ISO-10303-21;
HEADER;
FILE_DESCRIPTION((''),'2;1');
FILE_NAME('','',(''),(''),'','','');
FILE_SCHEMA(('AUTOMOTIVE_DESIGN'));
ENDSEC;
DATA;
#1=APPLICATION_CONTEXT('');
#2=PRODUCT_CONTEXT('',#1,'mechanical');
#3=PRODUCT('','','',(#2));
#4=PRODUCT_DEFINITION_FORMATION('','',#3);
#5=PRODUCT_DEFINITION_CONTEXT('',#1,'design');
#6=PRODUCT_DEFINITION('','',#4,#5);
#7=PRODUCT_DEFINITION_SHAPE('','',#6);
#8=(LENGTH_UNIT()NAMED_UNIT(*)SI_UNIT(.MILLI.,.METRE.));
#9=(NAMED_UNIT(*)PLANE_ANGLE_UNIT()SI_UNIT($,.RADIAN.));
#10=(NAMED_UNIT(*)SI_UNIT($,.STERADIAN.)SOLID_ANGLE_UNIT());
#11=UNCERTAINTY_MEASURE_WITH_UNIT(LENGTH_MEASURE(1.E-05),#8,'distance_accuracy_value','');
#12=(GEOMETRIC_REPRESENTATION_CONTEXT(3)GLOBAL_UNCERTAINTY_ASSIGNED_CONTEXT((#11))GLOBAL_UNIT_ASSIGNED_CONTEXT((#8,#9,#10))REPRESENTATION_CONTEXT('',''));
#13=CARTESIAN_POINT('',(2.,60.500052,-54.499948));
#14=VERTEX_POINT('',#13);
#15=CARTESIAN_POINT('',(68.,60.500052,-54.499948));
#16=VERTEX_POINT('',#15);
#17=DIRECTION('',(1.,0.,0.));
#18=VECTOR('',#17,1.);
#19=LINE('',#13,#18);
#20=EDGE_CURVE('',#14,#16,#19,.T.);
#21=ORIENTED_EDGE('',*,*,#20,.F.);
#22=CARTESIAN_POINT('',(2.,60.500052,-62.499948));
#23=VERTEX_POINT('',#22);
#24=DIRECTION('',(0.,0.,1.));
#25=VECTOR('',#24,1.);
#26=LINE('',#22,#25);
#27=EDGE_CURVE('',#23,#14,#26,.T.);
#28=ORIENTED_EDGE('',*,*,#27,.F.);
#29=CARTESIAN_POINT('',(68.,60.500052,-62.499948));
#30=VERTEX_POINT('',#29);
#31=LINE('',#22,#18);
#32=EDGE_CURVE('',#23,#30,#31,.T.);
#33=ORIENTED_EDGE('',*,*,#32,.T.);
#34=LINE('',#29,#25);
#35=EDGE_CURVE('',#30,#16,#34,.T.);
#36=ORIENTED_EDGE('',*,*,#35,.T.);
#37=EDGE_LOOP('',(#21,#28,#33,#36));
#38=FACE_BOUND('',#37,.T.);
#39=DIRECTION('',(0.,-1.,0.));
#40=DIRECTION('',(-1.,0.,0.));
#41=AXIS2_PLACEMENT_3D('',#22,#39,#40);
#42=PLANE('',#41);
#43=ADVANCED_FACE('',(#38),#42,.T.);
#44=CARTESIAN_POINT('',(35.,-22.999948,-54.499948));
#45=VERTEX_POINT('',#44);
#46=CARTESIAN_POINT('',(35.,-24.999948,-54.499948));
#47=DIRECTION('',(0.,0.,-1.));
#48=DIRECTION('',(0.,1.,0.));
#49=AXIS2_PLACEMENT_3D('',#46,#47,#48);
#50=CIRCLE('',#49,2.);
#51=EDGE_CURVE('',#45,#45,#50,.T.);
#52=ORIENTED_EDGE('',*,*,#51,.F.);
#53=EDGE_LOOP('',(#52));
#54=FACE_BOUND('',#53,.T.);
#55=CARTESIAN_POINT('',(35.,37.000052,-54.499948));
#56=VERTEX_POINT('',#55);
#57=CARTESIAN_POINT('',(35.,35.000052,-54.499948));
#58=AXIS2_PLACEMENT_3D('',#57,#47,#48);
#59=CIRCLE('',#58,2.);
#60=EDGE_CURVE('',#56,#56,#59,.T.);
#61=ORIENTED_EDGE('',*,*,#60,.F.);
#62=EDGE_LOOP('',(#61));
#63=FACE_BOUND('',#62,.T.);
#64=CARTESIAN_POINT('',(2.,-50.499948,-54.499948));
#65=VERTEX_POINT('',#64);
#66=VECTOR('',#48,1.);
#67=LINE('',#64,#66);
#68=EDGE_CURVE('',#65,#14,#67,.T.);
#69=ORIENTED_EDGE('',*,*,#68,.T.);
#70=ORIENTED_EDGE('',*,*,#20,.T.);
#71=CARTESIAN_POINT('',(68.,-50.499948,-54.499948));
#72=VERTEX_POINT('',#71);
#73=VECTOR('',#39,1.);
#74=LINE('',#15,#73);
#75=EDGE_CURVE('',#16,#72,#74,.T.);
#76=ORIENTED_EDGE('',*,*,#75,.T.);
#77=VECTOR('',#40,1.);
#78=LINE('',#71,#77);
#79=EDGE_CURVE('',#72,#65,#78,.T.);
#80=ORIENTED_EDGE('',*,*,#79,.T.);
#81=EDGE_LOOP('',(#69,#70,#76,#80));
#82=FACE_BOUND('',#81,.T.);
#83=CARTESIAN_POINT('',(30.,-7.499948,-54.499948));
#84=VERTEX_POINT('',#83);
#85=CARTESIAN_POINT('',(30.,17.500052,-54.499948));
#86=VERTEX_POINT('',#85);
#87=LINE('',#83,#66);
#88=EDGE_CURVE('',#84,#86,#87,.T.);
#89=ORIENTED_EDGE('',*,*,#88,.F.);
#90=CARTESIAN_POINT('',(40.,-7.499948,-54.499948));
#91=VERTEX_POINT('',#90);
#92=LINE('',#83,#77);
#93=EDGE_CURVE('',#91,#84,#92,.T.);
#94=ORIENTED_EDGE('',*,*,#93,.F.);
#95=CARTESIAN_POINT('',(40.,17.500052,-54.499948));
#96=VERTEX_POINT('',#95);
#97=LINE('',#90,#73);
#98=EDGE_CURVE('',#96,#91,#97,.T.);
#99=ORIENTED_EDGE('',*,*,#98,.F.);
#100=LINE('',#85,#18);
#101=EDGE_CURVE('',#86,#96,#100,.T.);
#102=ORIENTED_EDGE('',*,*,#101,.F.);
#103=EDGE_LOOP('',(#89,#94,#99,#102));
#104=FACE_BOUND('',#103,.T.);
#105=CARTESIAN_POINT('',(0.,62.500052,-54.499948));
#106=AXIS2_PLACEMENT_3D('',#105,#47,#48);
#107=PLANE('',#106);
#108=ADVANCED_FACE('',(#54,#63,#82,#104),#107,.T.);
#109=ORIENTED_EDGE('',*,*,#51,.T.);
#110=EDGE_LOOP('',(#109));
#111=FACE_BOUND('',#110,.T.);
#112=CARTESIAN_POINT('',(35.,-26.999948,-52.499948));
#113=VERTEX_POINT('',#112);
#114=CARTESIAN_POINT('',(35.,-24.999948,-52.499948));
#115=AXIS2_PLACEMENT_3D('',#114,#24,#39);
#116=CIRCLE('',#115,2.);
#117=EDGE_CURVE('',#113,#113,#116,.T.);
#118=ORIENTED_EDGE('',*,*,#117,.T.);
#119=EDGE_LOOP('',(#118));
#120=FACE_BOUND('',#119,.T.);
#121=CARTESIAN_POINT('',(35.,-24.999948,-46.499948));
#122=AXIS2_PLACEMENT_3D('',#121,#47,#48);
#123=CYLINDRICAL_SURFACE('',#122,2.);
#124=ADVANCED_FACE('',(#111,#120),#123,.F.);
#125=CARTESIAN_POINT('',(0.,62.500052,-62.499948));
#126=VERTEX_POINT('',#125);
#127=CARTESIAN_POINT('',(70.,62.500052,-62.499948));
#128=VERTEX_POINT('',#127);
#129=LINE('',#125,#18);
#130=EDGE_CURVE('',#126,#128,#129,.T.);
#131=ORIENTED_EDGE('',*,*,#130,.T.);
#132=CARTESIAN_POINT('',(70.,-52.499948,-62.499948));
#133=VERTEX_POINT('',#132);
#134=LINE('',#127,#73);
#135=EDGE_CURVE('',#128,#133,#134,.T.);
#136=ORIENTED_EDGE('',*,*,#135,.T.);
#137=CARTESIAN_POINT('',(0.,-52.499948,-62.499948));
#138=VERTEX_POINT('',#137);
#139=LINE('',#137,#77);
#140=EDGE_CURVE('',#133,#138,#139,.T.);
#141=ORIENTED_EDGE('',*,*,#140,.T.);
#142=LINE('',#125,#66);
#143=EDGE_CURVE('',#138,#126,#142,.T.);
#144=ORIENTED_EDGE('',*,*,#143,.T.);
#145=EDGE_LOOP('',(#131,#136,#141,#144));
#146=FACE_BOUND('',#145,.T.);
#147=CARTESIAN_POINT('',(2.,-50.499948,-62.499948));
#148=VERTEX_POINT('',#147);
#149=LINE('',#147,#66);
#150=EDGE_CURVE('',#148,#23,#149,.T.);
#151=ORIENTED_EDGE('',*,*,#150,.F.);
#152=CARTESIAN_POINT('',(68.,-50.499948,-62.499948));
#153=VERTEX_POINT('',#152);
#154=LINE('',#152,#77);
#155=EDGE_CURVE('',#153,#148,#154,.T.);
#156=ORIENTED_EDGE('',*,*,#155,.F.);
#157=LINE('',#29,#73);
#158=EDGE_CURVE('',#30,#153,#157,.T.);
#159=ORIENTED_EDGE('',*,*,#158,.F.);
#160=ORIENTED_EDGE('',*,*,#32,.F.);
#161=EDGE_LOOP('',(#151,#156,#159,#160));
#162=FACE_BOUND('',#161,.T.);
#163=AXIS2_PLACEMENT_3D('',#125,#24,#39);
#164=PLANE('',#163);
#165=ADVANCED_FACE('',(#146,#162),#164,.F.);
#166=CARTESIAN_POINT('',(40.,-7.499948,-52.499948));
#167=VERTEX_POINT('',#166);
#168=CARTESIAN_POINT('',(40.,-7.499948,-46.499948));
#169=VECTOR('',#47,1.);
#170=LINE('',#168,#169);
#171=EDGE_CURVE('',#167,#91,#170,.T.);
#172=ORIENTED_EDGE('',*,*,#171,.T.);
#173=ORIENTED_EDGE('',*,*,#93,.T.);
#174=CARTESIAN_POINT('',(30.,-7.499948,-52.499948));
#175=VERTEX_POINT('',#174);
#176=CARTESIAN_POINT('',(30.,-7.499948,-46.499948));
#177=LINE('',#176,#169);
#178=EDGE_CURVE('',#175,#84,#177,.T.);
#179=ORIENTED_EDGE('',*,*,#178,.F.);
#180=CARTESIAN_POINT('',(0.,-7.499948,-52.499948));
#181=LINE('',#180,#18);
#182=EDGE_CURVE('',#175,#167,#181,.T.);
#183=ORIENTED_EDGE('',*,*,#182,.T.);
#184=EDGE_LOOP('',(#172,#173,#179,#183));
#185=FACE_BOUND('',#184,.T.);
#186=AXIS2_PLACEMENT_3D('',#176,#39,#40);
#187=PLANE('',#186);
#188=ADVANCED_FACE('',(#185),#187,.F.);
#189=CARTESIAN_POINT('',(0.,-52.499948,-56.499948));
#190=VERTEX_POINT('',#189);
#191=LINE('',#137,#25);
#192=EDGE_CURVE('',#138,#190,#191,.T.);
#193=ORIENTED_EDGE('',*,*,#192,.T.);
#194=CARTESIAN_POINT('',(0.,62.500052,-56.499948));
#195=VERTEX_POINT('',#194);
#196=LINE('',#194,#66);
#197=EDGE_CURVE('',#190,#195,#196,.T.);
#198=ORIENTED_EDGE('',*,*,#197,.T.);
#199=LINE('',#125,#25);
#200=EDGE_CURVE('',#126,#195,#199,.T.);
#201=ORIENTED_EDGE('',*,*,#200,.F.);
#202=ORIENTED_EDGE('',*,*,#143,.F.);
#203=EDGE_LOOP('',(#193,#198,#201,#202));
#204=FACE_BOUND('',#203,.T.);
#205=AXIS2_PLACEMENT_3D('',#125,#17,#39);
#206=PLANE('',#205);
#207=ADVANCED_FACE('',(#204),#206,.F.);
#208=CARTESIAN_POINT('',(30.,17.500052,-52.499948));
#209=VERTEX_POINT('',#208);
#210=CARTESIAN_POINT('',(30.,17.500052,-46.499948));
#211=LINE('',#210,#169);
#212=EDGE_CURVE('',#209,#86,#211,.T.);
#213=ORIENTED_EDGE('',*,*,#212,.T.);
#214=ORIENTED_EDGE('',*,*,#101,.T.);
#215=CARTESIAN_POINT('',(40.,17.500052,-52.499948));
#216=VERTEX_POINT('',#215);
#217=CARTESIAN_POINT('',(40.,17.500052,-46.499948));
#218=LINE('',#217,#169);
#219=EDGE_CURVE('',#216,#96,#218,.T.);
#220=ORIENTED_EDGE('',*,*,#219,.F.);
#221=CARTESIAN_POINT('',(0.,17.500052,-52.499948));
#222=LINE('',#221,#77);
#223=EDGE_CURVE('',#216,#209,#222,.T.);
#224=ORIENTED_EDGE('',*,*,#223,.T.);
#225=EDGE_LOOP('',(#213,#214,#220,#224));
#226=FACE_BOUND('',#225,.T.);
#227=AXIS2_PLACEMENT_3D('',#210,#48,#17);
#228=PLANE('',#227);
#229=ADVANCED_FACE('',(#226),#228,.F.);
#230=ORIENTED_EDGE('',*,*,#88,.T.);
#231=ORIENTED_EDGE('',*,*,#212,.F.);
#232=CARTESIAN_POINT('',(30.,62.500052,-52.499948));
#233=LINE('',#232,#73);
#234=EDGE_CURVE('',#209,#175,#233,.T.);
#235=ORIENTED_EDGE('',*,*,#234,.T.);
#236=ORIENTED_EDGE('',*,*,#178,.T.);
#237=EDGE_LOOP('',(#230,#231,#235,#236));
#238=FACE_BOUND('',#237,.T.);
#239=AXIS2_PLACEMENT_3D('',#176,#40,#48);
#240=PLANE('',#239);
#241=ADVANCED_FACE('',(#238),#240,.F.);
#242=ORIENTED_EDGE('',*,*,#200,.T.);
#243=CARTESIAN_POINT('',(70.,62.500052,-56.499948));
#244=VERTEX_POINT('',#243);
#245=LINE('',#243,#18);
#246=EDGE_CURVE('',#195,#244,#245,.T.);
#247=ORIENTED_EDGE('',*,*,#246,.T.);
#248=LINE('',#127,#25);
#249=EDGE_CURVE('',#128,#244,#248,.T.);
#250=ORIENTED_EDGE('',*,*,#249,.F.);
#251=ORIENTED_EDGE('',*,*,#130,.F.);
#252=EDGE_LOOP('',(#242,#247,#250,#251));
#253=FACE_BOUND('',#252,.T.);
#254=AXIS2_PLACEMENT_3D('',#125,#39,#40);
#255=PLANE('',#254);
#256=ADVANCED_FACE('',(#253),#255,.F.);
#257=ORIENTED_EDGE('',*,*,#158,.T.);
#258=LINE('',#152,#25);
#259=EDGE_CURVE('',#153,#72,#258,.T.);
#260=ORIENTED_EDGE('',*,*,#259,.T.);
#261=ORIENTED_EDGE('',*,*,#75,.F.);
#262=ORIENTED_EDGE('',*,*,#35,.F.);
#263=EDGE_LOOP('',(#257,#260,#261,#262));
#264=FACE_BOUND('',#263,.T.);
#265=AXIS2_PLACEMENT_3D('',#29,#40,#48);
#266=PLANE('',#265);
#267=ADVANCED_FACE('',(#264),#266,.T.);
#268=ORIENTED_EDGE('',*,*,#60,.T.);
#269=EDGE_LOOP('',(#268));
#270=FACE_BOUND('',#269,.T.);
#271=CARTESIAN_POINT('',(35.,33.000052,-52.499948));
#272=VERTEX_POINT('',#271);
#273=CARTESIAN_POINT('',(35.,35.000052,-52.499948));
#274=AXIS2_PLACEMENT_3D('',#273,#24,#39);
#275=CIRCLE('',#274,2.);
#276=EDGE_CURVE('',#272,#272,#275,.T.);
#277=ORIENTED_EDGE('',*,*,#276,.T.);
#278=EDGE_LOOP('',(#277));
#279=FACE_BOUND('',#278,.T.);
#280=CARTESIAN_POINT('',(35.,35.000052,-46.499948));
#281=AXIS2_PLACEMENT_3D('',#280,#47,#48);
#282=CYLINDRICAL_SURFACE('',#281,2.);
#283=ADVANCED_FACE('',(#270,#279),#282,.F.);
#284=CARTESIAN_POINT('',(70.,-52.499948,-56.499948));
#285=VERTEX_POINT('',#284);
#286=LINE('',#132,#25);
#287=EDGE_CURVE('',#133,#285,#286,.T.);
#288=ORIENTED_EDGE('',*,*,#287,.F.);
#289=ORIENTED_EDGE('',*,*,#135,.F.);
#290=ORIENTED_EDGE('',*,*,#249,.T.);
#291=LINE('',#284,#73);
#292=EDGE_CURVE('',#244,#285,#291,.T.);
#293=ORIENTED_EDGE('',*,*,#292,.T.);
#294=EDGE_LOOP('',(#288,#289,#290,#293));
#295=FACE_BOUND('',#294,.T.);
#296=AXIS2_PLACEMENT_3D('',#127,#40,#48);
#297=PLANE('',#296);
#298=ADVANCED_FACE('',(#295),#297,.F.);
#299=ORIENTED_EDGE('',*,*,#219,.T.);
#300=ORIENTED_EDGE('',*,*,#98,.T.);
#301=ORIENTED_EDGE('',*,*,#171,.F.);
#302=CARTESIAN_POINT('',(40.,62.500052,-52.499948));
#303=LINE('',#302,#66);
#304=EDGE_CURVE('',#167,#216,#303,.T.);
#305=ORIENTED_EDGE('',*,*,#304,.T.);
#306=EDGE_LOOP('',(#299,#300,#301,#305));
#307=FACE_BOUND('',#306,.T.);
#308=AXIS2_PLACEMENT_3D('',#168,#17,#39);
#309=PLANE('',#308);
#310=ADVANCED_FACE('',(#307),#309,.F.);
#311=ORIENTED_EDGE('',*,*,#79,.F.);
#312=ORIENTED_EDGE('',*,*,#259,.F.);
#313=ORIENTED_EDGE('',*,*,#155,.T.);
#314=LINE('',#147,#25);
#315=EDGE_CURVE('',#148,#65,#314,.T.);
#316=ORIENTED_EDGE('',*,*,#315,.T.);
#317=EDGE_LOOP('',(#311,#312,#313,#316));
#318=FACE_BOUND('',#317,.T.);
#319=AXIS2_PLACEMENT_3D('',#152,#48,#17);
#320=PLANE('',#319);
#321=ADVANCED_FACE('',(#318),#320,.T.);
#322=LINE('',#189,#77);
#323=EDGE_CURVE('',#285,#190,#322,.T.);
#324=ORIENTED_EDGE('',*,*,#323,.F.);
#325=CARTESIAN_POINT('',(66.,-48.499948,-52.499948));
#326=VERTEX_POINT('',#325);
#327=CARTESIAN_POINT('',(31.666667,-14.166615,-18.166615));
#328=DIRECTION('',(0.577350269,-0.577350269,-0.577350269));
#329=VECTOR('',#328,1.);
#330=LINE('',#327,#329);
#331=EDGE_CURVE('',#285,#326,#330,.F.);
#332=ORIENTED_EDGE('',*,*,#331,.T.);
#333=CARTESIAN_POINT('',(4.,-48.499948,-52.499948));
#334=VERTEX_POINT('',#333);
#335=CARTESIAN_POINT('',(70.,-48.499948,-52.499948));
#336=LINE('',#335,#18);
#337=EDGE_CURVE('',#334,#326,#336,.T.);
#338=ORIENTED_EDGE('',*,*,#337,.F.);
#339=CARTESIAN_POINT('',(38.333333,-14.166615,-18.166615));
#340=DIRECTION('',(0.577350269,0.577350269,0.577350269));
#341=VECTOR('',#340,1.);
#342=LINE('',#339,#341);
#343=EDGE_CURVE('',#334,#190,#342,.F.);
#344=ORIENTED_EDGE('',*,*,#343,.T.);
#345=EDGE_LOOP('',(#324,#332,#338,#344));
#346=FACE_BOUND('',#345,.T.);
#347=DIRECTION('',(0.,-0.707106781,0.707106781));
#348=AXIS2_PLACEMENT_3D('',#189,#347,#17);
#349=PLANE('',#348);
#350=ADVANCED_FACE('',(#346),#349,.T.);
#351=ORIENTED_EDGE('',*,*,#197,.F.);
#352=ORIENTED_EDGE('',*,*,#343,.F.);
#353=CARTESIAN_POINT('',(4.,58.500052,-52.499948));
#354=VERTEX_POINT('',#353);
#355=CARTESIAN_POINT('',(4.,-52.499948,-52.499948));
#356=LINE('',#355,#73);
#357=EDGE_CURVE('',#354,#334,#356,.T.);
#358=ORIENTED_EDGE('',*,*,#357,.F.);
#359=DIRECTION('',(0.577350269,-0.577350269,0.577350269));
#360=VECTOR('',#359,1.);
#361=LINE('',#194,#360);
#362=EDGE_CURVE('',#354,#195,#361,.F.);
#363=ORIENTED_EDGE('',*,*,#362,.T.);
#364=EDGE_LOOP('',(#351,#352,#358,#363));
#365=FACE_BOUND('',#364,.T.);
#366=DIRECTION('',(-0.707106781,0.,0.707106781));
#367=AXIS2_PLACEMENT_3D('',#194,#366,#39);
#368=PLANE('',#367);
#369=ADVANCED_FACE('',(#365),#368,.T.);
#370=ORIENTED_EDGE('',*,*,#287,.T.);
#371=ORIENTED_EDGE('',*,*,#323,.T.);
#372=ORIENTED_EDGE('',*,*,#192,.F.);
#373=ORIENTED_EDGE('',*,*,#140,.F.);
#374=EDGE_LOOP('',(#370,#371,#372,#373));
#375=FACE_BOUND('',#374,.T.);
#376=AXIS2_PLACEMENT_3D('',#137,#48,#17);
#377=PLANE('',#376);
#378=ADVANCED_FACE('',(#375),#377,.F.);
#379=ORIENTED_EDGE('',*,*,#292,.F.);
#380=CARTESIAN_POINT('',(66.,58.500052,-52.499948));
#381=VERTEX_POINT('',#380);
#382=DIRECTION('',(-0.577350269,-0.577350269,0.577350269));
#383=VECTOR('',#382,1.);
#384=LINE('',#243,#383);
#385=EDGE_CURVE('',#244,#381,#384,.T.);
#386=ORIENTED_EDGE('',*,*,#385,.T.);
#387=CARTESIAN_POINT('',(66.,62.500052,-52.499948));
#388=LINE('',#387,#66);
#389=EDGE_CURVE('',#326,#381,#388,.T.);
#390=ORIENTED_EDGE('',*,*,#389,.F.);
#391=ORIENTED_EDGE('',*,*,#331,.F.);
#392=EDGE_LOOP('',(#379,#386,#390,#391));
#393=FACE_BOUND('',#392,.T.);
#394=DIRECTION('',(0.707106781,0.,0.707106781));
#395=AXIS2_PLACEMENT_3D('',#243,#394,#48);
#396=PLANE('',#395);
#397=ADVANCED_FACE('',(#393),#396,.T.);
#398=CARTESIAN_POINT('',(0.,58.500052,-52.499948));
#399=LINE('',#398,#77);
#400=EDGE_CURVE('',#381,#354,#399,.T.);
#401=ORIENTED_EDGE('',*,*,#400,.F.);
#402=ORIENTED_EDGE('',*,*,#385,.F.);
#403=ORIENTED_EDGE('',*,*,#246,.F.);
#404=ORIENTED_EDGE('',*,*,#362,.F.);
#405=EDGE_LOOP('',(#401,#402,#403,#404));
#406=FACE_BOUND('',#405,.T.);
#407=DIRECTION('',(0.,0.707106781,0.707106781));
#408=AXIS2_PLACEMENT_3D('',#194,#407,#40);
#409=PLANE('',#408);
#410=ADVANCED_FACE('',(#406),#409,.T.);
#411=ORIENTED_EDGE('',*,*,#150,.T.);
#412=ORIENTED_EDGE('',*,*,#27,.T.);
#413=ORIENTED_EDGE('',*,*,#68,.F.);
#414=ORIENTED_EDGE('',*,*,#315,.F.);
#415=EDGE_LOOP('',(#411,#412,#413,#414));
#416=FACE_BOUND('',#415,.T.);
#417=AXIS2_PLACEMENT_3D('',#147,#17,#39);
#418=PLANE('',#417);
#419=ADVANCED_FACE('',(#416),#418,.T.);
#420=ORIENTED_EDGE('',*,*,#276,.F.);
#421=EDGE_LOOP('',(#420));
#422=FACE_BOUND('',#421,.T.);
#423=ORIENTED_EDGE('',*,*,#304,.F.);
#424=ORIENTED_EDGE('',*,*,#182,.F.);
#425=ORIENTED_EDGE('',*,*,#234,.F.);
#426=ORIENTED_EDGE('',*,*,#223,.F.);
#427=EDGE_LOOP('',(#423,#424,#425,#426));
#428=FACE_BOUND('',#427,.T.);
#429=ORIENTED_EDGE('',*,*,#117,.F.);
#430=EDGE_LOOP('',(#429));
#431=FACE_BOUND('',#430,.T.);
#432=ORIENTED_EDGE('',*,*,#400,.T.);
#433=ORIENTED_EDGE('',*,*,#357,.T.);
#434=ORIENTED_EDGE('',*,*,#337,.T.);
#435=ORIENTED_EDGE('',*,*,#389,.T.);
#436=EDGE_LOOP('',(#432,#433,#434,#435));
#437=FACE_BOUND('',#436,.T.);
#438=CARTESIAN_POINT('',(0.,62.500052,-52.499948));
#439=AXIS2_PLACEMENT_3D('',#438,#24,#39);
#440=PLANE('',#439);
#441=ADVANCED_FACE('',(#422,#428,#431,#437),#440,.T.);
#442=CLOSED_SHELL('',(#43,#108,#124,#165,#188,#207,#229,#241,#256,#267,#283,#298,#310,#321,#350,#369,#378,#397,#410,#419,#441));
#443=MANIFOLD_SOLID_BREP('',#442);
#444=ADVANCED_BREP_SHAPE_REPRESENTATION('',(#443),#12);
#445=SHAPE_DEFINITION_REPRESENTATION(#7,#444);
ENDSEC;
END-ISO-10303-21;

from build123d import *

# Parameters (mm, degrees)
SKETCH1_W             = 70
SKETCH1_H             = 115
BOSS_EXTRUDE1_DEPTH   = 10
CUT_EXTRUDE1_DEPTH    = 8
CHAMFER1_SIZE         = 4
SKETCH2_R             = 2
SKETCH2_W             = 10
SKETCH2_H             = 25
CUT_EXTRUDE2_DEPTH    = 8
BODY_MOVE_COPY1_ANGLE = 90


with BuildPart() as part:
    # Sketch1 → Boss-Extrude1 (new body)
    with BuildSketch(Plane(origin=(0, 0, 0), x_dir=(1, 0, 0), z_dir=(0, 1, 0))):
        with Locations((35, 57.5)):
            Rectangle(SKETCH1_W, SKETCH1_H)
    extrude(amount=BOSS_EXTRUDE1_DEPTH)

    # 3DSketch1 → Cut-Extrude1 (cut)
    with BuildSketch(Plane(origin=(2, 10, -2), x_dir=(0.51107539287715, 0, -0.8595358880206614), z_dir=(0, -1, 0))):
        Polygon((0, 0), (33.73097593, 56.729368609), (129.1394595, 0), (95.40848357, -56.729368609), align=None)
    extrude(amount=CUT_EXTRUDE1_DEPTH, mode=Mode.SUBTRACT)

    # Chamfer1
    chamfer1_edges = [part.edges().sort_by_distance(p)[0] for p in [
        (35, 0, -115),
        (70, 0, -57.5),
        (35, 0, 0),
        (0, 0, -57.5),
    ]]
    chamfer(chamfer1_edges, length=CHAMFER1_SIZE)

    # Sketch2 → Cut-Extrude2 (cut)
    with BuildSketch(Plane(origin=(0, 2, 0), x_dir=(1, 0, 0), z_dir=(0, 1, 0))):
        with Locations(Location((35, 87.5, 0), (0, 0, 270))):
            Circle(SKETCH2_R)
        with Locations(Location((35, 27.5, 0), (0, 0, 270))):
            Circle(SKETCH2_R)
        with Locations((35, 57.5)):
            Rectangle(SKETCH2_W, SKETCH2_H)
    extrude(amount=-CUT_EXTRUDE2_DEPTH, mode=Mode.SUBTRACT)


with BuildPart() as part_1:
    # Body-Move/Copy1: moved
    add(part.part.rotate(Axis((0, 5.000051539, -57.5), (-1, 0, 0)), BODY_MOVE_COPY1_ANGLE))


solid = part_1.part
